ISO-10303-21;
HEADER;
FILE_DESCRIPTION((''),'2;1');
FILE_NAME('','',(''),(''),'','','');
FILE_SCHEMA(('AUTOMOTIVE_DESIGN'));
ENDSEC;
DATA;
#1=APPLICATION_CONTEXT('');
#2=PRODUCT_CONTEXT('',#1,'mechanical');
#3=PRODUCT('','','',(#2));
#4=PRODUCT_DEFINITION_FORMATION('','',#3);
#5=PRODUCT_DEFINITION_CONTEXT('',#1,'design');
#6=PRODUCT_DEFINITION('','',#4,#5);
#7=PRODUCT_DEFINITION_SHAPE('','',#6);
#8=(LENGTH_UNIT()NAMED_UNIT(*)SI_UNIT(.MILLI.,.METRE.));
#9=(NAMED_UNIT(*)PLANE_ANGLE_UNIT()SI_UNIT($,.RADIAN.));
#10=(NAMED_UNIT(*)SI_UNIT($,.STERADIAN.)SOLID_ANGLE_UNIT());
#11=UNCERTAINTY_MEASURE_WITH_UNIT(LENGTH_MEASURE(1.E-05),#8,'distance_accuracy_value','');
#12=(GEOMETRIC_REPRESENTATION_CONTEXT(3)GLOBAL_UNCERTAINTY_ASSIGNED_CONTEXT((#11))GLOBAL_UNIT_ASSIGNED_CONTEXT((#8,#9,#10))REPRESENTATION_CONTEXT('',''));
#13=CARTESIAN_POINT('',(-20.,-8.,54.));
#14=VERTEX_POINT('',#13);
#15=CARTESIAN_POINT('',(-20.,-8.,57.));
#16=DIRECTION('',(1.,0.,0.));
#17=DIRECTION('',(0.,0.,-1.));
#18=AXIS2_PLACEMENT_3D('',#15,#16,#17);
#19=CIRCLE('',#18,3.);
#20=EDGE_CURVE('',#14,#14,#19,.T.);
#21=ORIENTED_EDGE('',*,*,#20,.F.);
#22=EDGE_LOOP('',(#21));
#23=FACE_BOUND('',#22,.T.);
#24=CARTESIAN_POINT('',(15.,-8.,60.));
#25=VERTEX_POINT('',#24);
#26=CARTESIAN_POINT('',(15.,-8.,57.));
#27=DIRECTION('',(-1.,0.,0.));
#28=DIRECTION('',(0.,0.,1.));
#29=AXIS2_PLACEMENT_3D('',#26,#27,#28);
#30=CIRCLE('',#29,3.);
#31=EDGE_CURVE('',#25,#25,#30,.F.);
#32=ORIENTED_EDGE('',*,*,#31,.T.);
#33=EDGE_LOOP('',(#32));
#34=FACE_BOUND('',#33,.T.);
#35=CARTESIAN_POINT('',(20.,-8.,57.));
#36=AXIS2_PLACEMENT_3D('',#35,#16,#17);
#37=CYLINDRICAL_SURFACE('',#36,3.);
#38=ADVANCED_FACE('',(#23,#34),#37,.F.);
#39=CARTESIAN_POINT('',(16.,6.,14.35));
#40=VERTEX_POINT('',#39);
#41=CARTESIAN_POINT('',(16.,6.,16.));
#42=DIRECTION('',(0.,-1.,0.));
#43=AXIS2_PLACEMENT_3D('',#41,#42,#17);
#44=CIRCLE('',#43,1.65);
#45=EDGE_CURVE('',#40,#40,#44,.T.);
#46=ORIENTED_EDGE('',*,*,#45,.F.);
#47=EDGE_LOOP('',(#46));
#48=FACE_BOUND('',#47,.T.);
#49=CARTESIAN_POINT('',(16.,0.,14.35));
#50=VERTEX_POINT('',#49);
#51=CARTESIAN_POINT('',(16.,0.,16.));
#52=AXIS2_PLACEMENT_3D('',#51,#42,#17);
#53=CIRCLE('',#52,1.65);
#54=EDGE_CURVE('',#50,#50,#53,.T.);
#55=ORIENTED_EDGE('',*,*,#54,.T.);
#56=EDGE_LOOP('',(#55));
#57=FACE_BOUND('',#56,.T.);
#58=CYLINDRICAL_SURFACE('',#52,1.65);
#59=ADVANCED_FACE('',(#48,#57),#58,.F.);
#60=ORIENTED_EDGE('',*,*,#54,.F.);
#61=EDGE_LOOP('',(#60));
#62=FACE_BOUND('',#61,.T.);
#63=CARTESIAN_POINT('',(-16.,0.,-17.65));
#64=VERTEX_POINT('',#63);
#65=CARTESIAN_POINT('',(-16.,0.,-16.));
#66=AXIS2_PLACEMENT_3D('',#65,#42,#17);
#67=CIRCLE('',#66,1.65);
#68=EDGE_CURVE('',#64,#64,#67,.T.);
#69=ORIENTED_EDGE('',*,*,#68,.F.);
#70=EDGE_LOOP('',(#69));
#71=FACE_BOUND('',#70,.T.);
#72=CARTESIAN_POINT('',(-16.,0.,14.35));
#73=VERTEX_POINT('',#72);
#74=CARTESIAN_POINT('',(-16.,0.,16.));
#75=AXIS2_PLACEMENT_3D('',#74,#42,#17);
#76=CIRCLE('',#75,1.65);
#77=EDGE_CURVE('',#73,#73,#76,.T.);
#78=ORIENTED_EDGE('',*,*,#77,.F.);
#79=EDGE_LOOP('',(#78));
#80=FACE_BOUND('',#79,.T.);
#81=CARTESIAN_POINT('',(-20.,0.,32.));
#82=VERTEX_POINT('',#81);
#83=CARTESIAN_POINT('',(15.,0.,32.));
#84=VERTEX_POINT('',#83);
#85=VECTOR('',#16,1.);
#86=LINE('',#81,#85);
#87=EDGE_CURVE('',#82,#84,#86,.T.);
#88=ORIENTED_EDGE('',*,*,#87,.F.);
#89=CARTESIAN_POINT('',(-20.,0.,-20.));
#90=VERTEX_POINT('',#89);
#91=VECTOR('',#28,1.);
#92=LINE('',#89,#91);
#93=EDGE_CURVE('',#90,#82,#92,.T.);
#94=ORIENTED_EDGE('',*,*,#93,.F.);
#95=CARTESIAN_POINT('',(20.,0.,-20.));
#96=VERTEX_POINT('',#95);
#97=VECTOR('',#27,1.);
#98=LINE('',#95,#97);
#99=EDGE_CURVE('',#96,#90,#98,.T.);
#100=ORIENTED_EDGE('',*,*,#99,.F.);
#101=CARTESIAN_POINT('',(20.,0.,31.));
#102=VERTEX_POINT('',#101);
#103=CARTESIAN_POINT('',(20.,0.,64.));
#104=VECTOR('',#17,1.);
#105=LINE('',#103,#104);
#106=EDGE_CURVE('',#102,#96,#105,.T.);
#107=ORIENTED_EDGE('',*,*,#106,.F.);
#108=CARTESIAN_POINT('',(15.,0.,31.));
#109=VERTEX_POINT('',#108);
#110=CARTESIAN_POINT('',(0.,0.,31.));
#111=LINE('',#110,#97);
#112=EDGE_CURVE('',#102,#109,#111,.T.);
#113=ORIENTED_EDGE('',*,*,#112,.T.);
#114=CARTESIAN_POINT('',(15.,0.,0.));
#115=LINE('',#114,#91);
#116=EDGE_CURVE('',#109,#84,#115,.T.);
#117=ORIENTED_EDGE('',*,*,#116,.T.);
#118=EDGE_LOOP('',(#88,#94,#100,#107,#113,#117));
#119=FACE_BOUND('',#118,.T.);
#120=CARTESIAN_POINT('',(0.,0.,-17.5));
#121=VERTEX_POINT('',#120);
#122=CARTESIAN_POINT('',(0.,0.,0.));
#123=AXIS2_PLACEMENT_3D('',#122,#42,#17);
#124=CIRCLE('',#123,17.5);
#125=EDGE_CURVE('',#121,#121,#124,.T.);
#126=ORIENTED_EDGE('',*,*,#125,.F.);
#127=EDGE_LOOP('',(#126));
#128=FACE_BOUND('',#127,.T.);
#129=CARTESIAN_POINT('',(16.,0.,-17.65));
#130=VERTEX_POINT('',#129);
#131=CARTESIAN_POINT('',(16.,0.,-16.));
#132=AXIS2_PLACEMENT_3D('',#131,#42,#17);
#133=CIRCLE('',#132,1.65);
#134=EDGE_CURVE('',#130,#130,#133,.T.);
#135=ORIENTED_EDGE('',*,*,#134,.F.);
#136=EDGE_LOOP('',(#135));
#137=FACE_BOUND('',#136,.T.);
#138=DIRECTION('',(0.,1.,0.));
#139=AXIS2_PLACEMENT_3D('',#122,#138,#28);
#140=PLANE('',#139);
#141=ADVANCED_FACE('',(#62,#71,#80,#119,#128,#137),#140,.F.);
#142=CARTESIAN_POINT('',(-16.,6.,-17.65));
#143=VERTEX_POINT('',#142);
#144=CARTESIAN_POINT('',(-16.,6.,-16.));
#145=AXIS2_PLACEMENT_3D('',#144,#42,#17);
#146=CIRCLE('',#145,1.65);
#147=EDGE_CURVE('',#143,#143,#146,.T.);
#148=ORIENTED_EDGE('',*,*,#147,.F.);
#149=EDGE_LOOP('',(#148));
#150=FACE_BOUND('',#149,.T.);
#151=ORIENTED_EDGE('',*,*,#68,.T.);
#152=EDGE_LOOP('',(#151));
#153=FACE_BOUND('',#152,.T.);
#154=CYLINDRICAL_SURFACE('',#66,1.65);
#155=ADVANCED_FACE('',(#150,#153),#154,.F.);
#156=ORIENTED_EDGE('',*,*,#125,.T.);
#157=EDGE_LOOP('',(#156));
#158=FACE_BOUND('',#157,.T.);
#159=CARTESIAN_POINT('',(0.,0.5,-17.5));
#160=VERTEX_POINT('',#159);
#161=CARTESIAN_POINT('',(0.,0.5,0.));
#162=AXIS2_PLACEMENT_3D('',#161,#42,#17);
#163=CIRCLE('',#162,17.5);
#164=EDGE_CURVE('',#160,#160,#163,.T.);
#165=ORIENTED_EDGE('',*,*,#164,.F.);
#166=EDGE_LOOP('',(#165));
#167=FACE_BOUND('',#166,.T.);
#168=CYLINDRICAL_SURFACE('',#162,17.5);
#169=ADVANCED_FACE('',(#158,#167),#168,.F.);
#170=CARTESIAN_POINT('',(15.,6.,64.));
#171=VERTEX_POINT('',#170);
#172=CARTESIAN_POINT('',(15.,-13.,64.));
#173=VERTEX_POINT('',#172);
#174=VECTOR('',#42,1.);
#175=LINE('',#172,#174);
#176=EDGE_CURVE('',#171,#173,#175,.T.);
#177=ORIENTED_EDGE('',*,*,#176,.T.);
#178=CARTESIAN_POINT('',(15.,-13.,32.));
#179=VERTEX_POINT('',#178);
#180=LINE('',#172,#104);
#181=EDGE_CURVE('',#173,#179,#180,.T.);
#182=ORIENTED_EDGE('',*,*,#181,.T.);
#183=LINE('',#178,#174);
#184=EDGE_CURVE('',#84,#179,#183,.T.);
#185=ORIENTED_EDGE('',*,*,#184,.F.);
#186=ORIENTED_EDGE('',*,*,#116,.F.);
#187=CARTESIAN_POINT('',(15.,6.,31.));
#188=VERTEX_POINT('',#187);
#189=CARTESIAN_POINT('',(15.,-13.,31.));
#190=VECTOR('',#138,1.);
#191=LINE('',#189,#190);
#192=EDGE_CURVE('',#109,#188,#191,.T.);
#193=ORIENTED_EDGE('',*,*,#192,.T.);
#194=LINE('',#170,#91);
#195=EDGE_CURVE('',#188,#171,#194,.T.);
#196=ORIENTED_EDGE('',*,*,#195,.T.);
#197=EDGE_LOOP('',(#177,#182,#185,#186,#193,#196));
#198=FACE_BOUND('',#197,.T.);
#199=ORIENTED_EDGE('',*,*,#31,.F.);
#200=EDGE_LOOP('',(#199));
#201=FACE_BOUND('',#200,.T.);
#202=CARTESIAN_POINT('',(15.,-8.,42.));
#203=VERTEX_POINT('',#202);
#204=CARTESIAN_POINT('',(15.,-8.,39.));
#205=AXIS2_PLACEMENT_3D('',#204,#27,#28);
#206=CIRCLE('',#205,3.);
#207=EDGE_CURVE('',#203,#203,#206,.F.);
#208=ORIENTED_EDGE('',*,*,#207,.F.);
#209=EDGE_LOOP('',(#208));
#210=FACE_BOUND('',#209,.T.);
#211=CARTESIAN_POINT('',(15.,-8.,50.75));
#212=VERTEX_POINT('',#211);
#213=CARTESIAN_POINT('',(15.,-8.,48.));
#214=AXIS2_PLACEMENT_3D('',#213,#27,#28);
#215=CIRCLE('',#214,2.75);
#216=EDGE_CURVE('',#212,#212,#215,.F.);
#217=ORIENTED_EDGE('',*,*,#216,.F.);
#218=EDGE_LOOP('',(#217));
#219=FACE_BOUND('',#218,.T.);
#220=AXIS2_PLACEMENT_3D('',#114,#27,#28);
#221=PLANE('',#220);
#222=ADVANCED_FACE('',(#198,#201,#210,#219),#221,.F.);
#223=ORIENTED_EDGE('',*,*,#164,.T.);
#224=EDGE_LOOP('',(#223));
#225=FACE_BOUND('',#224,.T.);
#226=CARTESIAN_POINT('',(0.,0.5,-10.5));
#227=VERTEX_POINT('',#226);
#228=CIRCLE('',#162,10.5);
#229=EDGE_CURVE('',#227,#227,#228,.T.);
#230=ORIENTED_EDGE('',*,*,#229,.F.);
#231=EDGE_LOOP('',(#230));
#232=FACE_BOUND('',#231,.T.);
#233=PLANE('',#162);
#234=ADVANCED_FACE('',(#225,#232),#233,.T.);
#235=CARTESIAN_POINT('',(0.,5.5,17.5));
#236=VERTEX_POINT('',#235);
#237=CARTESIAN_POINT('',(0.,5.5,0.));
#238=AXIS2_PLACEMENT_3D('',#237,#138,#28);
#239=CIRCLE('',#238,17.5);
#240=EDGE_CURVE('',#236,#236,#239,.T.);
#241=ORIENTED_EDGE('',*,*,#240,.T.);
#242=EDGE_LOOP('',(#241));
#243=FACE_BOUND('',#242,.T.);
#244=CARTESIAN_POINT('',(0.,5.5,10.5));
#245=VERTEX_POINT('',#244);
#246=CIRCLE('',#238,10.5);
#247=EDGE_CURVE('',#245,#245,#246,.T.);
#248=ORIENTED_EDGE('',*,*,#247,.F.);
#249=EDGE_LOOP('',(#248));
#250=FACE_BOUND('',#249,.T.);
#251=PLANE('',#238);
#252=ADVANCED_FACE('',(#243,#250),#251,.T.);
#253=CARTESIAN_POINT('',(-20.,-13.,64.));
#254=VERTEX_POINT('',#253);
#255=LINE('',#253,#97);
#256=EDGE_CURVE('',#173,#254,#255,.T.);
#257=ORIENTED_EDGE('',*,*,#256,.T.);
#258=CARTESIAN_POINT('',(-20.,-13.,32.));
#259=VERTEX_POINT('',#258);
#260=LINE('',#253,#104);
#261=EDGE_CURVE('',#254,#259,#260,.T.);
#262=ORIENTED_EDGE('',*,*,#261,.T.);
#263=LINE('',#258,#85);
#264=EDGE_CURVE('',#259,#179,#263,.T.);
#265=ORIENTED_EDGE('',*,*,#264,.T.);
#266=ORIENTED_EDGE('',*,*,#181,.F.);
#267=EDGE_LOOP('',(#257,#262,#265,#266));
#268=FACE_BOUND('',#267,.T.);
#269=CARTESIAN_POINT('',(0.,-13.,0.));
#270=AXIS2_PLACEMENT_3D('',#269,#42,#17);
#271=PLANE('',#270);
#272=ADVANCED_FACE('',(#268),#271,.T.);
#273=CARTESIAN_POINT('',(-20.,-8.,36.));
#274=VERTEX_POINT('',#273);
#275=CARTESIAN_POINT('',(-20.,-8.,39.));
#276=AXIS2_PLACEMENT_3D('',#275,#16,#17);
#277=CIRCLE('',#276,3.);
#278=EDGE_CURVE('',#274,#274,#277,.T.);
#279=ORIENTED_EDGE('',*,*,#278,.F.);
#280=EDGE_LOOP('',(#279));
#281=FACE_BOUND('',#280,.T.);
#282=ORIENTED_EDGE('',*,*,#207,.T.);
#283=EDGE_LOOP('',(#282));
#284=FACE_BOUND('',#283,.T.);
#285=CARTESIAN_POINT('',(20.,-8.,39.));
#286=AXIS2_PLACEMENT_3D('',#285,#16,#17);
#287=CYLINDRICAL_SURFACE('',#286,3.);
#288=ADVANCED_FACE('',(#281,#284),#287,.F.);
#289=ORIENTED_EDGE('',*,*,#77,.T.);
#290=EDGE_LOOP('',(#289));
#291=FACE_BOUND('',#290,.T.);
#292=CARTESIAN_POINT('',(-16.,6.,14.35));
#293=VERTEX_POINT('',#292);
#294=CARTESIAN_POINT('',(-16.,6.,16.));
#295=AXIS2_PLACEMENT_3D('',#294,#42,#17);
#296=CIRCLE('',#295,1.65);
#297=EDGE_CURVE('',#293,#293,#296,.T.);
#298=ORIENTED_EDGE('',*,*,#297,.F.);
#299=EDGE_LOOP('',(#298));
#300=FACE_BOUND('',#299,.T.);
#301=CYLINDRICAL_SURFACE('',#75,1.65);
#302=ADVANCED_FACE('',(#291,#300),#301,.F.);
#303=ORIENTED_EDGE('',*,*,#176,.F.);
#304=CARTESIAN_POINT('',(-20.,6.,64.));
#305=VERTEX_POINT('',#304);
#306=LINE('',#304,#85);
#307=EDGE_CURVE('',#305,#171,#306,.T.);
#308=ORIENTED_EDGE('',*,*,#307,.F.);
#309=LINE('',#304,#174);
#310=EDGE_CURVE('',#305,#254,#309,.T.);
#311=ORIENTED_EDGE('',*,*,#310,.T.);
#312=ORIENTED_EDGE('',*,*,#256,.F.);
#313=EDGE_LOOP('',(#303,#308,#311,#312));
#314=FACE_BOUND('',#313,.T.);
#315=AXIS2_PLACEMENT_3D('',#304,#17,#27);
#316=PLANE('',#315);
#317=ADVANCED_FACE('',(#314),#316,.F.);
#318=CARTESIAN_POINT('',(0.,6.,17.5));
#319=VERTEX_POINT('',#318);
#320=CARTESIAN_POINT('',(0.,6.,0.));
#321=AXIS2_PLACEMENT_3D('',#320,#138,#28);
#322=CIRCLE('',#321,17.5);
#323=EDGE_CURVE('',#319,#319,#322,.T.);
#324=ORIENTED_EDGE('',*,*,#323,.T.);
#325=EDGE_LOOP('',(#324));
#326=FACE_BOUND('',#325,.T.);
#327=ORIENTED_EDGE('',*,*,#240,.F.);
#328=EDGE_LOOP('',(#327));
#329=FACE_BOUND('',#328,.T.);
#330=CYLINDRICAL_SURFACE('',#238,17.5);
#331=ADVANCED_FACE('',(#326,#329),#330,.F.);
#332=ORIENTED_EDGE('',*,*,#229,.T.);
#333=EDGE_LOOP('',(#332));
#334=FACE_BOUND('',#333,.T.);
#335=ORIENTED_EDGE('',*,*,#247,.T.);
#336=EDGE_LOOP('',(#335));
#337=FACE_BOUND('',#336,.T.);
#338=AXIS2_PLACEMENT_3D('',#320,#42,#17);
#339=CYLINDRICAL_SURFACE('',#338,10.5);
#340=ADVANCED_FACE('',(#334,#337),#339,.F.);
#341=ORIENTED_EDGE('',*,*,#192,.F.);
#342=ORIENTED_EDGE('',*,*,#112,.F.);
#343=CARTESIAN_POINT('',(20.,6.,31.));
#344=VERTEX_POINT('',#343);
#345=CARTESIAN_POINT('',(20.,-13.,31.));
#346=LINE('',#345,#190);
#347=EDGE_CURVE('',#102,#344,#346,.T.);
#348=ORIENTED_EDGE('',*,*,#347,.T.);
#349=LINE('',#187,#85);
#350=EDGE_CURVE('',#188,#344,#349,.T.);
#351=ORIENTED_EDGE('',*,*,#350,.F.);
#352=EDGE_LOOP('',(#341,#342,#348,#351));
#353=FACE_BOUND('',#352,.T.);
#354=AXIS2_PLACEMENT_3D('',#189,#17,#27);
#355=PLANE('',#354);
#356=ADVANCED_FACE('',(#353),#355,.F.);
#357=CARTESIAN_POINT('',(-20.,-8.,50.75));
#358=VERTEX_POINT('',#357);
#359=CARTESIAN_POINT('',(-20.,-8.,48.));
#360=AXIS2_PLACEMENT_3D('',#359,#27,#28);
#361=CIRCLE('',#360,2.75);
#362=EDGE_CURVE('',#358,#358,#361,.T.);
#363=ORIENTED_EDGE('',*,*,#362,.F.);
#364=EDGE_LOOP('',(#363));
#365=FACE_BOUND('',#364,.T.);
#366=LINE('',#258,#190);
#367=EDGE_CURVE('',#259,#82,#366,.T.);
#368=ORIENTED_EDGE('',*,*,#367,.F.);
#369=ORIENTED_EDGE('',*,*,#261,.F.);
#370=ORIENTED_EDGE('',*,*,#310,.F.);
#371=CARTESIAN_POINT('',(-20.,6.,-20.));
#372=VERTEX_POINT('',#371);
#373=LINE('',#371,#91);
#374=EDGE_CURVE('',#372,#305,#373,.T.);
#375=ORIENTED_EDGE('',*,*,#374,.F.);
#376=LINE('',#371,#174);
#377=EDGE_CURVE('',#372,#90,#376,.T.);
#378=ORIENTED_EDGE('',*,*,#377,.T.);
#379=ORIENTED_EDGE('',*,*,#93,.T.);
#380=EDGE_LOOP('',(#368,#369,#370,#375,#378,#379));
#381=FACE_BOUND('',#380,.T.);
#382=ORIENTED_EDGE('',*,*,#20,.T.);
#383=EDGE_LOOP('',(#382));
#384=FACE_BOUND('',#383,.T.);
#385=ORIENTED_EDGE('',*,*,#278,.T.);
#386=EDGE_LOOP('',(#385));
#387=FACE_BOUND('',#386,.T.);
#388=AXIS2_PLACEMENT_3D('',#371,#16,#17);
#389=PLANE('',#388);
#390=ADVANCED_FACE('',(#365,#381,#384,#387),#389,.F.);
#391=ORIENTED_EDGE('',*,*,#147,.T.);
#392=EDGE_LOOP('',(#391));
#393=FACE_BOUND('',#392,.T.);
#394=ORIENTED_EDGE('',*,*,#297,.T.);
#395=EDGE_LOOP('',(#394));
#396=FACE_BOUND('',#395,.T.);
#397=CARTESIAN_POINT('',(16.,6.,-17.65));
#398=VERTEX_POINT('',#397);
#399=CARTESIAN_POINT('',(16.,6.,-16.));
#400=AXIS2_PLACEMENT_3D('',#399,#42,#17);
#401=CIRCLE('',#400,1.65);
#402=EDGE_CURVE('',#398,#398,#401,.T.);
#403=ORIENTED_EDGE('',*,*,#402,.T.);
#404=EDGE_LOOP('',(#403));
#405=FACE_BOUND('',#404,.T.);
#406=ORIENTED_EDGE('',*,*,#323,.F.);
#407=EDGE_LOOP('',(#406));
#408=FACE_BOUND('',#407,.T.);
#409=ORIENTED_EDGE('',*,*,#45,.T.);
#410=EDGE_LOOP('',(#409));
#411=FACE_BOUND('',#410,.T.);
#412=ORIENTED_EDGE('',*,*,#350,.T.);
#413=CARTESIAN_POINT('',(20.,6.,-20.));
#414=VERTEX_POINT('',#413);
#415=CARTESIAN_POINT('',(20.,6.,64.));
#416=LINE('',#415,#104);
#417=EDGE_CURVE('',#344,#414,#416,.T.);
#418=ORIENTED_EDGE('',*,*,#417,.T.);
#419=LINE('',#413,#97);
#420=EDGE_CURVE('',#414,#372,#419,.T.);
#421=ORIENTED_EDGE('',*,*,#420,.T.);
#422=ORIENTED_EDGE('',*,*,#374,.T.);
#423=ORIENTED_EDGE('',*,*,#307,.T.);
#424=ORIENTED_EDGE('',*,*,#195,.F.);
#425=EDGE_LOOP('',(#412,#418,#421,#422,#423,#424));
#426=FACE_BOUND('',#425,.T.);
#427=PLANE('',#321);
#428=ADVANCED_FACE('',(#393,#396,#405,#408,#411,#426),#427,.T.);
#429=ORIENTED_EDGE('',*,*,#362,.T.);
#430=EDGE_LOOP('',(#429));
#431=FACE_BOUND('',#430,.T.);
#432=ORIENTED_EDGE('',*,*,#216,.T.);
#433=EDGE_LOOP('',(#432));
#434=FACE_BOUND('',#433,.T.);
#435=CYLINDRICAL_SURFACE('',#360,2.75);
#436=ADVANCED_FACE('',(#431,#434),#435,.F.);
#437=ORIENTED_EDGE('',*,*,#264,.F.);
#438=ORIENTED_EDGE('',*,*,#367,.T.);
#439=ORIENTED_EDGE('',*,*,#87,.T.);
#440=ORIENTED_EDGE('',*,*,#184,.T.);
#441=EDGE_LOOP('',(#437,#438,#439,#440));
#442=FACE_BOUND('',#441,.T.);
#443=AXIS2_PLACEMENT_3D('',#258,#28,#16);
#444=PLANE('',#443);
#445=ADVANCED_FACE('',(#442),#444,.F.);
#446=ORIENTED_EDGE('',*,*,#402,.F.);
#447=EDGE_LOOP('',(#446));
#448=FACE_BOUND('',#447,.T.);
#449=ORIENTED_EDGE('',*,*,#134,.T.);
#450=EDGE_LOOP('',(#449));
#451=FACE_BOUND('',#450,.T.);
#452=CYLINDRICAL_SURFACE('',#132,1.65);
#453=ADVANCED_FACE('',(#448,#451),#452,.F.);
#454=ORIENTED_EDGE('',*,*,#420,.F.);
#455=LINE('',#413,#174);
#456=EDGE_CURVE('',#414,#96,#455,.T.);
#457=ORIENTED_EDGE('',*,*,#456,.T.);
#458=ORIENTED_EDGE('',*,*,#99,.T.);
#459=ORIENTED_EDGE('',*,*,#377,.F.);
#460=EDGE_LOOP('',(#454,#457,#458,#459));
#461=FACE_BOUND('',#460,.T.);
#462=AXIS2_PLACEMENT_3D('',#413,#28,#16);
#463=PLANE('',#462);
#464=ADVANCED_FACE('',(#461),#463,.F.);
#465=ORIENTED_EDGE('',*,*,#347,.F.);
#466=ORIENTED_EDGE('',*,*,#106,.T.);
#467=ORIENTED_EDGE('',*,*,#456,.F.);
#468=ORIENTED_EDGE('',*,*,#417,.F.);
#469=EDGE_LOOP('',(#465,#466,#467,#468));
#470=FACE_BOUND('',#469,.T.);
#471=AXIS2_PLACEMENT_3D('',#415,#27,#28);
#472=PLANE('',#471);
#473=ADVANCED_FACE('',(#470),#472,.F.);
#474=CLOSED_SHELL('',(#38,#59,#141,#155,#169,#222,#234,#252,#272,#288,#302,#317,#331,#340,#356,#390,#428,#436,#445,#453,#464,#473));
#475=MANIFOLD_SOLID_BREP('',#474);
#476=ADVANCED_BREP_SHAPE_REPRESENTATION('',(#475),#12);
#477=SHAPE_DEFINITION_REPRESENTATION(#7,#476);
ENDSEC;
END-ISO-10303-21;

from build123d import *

# Parameters (mm, degrees)
SKETCH1_W             = 40
SKETCH1_H             = 84
SKETCH1_R             = 10.5
BOSS_EXTRUDE1_DEPTH   = 6
SKETCH2_W             = 40
SKETCH2_H             = 32
BOSS_EXTRUDE2_DEPTH   = 13
F_6_0MM_DOWEL_HOLE1_D = 6
M5_CLEARANCE_HOLE1_D  = 5.5
M4X0_7_TAPPED_HOLE1_D = 3.3
SKETCH12_R            = 17.5
CUT_EXTRUDE1_DEPTH    = 0.5
SKETCH13_R            = 17.5
CUT_EXTRUDE2_DEPTH    = 0.5
SKETCH14_W            = 33
SKETCH14_H            = 19
CUT_EXTRUDE3_DEPTH    = 5


with BuildPart() as part:
    # Sketch1 → Boss-Extrude1 (new body)
    with BuildSketch(Plane(origin=(0, 0, 0), x_dir=(1, 0, 0), z_dir=(0, 1, 0))):
        with Locations((0, -22)):
            Rectangle(SKETCH1_W, SKETCH1_H)
        Circle(SKETCH1_R, mode=Mode.SUBTRACT)
    extrude(amount=BOSS_EXTRUDE1_DEPTH)

    # Sketch2 → Boss-Extrude2 (add)
    with BuildSketch(Plane.XZ):
        with Locations((0, 48)):
            Rectangle(SKETCH2_W, SKETCH2_H)
    extrude(amount=BOSS_EXTRUDE2_DEPTH)

    # Ø6.0mm Dowel Hole1 (through all)
    with Locations(Plane(origin=(20, 0, 0), x_dir=(0, 0, -1), z_dir=(1, 0, 0))):
        with Locations((-57, -8), (-39, -8)):
            Hole(F_6_0MM_DOWEL_HOLE1_D / 2)

    # M5 Clearance Hole1 (through all)
    with Locations(Plane.ZY.offset(20)):
        with Locations((48, -8)):
            Hole(M5_CLEARANCE_HOLE1_D / 2)

    # M4x0.7 Tapped Hole1 (through all)
    with Locations(Plane(origin=(0, 0, 0), x_dir=(-1, 0, 0), z_dir=(0, -1, 0))):
        with Locations((16, 16), (-16, 16), (-16, -16), (16, -16)):
            Hole(M4X0_7_TAPPED_HOLE1_D / 2)

    # Sketch12 → Cut-Extrude1 (cut)
    with BuildSketch(Plane(origin=(0, 6, 0), x_dir=(1, 0, 0), z_dir=(0, 1, 0))):
        Circle(SKETCH12_R)
    extrude(amount=-CUT_EXTRUDE1_DEPTH, mode=Mode.SUBTRACT)

    # Sketch13 → Cut-Extrude2 (cut)
    with BuildSketch(Plane.XZ):
        Circle(SKETCH13_R)
    extrude(amount=-CUT_EXTRUDE2_DEPTH, mode=Mode.SUBTRACT)

    # Sketch14 → Cut-Extrude3 (cut)
    with BuildSketch(Plane(origin=(20, 0, 0), x_dir=(0, 0, -1), z_dir=(1, 0, 0))):
        with Locations((-47.5, -3.5)):
            Rectangle(SKETCH14_W, SKETCH14_H)
    extrude(amount=-CUT_EXTRUDE3_DEPTH, mode=Mode.SUBTRACT)


solid = part.part
